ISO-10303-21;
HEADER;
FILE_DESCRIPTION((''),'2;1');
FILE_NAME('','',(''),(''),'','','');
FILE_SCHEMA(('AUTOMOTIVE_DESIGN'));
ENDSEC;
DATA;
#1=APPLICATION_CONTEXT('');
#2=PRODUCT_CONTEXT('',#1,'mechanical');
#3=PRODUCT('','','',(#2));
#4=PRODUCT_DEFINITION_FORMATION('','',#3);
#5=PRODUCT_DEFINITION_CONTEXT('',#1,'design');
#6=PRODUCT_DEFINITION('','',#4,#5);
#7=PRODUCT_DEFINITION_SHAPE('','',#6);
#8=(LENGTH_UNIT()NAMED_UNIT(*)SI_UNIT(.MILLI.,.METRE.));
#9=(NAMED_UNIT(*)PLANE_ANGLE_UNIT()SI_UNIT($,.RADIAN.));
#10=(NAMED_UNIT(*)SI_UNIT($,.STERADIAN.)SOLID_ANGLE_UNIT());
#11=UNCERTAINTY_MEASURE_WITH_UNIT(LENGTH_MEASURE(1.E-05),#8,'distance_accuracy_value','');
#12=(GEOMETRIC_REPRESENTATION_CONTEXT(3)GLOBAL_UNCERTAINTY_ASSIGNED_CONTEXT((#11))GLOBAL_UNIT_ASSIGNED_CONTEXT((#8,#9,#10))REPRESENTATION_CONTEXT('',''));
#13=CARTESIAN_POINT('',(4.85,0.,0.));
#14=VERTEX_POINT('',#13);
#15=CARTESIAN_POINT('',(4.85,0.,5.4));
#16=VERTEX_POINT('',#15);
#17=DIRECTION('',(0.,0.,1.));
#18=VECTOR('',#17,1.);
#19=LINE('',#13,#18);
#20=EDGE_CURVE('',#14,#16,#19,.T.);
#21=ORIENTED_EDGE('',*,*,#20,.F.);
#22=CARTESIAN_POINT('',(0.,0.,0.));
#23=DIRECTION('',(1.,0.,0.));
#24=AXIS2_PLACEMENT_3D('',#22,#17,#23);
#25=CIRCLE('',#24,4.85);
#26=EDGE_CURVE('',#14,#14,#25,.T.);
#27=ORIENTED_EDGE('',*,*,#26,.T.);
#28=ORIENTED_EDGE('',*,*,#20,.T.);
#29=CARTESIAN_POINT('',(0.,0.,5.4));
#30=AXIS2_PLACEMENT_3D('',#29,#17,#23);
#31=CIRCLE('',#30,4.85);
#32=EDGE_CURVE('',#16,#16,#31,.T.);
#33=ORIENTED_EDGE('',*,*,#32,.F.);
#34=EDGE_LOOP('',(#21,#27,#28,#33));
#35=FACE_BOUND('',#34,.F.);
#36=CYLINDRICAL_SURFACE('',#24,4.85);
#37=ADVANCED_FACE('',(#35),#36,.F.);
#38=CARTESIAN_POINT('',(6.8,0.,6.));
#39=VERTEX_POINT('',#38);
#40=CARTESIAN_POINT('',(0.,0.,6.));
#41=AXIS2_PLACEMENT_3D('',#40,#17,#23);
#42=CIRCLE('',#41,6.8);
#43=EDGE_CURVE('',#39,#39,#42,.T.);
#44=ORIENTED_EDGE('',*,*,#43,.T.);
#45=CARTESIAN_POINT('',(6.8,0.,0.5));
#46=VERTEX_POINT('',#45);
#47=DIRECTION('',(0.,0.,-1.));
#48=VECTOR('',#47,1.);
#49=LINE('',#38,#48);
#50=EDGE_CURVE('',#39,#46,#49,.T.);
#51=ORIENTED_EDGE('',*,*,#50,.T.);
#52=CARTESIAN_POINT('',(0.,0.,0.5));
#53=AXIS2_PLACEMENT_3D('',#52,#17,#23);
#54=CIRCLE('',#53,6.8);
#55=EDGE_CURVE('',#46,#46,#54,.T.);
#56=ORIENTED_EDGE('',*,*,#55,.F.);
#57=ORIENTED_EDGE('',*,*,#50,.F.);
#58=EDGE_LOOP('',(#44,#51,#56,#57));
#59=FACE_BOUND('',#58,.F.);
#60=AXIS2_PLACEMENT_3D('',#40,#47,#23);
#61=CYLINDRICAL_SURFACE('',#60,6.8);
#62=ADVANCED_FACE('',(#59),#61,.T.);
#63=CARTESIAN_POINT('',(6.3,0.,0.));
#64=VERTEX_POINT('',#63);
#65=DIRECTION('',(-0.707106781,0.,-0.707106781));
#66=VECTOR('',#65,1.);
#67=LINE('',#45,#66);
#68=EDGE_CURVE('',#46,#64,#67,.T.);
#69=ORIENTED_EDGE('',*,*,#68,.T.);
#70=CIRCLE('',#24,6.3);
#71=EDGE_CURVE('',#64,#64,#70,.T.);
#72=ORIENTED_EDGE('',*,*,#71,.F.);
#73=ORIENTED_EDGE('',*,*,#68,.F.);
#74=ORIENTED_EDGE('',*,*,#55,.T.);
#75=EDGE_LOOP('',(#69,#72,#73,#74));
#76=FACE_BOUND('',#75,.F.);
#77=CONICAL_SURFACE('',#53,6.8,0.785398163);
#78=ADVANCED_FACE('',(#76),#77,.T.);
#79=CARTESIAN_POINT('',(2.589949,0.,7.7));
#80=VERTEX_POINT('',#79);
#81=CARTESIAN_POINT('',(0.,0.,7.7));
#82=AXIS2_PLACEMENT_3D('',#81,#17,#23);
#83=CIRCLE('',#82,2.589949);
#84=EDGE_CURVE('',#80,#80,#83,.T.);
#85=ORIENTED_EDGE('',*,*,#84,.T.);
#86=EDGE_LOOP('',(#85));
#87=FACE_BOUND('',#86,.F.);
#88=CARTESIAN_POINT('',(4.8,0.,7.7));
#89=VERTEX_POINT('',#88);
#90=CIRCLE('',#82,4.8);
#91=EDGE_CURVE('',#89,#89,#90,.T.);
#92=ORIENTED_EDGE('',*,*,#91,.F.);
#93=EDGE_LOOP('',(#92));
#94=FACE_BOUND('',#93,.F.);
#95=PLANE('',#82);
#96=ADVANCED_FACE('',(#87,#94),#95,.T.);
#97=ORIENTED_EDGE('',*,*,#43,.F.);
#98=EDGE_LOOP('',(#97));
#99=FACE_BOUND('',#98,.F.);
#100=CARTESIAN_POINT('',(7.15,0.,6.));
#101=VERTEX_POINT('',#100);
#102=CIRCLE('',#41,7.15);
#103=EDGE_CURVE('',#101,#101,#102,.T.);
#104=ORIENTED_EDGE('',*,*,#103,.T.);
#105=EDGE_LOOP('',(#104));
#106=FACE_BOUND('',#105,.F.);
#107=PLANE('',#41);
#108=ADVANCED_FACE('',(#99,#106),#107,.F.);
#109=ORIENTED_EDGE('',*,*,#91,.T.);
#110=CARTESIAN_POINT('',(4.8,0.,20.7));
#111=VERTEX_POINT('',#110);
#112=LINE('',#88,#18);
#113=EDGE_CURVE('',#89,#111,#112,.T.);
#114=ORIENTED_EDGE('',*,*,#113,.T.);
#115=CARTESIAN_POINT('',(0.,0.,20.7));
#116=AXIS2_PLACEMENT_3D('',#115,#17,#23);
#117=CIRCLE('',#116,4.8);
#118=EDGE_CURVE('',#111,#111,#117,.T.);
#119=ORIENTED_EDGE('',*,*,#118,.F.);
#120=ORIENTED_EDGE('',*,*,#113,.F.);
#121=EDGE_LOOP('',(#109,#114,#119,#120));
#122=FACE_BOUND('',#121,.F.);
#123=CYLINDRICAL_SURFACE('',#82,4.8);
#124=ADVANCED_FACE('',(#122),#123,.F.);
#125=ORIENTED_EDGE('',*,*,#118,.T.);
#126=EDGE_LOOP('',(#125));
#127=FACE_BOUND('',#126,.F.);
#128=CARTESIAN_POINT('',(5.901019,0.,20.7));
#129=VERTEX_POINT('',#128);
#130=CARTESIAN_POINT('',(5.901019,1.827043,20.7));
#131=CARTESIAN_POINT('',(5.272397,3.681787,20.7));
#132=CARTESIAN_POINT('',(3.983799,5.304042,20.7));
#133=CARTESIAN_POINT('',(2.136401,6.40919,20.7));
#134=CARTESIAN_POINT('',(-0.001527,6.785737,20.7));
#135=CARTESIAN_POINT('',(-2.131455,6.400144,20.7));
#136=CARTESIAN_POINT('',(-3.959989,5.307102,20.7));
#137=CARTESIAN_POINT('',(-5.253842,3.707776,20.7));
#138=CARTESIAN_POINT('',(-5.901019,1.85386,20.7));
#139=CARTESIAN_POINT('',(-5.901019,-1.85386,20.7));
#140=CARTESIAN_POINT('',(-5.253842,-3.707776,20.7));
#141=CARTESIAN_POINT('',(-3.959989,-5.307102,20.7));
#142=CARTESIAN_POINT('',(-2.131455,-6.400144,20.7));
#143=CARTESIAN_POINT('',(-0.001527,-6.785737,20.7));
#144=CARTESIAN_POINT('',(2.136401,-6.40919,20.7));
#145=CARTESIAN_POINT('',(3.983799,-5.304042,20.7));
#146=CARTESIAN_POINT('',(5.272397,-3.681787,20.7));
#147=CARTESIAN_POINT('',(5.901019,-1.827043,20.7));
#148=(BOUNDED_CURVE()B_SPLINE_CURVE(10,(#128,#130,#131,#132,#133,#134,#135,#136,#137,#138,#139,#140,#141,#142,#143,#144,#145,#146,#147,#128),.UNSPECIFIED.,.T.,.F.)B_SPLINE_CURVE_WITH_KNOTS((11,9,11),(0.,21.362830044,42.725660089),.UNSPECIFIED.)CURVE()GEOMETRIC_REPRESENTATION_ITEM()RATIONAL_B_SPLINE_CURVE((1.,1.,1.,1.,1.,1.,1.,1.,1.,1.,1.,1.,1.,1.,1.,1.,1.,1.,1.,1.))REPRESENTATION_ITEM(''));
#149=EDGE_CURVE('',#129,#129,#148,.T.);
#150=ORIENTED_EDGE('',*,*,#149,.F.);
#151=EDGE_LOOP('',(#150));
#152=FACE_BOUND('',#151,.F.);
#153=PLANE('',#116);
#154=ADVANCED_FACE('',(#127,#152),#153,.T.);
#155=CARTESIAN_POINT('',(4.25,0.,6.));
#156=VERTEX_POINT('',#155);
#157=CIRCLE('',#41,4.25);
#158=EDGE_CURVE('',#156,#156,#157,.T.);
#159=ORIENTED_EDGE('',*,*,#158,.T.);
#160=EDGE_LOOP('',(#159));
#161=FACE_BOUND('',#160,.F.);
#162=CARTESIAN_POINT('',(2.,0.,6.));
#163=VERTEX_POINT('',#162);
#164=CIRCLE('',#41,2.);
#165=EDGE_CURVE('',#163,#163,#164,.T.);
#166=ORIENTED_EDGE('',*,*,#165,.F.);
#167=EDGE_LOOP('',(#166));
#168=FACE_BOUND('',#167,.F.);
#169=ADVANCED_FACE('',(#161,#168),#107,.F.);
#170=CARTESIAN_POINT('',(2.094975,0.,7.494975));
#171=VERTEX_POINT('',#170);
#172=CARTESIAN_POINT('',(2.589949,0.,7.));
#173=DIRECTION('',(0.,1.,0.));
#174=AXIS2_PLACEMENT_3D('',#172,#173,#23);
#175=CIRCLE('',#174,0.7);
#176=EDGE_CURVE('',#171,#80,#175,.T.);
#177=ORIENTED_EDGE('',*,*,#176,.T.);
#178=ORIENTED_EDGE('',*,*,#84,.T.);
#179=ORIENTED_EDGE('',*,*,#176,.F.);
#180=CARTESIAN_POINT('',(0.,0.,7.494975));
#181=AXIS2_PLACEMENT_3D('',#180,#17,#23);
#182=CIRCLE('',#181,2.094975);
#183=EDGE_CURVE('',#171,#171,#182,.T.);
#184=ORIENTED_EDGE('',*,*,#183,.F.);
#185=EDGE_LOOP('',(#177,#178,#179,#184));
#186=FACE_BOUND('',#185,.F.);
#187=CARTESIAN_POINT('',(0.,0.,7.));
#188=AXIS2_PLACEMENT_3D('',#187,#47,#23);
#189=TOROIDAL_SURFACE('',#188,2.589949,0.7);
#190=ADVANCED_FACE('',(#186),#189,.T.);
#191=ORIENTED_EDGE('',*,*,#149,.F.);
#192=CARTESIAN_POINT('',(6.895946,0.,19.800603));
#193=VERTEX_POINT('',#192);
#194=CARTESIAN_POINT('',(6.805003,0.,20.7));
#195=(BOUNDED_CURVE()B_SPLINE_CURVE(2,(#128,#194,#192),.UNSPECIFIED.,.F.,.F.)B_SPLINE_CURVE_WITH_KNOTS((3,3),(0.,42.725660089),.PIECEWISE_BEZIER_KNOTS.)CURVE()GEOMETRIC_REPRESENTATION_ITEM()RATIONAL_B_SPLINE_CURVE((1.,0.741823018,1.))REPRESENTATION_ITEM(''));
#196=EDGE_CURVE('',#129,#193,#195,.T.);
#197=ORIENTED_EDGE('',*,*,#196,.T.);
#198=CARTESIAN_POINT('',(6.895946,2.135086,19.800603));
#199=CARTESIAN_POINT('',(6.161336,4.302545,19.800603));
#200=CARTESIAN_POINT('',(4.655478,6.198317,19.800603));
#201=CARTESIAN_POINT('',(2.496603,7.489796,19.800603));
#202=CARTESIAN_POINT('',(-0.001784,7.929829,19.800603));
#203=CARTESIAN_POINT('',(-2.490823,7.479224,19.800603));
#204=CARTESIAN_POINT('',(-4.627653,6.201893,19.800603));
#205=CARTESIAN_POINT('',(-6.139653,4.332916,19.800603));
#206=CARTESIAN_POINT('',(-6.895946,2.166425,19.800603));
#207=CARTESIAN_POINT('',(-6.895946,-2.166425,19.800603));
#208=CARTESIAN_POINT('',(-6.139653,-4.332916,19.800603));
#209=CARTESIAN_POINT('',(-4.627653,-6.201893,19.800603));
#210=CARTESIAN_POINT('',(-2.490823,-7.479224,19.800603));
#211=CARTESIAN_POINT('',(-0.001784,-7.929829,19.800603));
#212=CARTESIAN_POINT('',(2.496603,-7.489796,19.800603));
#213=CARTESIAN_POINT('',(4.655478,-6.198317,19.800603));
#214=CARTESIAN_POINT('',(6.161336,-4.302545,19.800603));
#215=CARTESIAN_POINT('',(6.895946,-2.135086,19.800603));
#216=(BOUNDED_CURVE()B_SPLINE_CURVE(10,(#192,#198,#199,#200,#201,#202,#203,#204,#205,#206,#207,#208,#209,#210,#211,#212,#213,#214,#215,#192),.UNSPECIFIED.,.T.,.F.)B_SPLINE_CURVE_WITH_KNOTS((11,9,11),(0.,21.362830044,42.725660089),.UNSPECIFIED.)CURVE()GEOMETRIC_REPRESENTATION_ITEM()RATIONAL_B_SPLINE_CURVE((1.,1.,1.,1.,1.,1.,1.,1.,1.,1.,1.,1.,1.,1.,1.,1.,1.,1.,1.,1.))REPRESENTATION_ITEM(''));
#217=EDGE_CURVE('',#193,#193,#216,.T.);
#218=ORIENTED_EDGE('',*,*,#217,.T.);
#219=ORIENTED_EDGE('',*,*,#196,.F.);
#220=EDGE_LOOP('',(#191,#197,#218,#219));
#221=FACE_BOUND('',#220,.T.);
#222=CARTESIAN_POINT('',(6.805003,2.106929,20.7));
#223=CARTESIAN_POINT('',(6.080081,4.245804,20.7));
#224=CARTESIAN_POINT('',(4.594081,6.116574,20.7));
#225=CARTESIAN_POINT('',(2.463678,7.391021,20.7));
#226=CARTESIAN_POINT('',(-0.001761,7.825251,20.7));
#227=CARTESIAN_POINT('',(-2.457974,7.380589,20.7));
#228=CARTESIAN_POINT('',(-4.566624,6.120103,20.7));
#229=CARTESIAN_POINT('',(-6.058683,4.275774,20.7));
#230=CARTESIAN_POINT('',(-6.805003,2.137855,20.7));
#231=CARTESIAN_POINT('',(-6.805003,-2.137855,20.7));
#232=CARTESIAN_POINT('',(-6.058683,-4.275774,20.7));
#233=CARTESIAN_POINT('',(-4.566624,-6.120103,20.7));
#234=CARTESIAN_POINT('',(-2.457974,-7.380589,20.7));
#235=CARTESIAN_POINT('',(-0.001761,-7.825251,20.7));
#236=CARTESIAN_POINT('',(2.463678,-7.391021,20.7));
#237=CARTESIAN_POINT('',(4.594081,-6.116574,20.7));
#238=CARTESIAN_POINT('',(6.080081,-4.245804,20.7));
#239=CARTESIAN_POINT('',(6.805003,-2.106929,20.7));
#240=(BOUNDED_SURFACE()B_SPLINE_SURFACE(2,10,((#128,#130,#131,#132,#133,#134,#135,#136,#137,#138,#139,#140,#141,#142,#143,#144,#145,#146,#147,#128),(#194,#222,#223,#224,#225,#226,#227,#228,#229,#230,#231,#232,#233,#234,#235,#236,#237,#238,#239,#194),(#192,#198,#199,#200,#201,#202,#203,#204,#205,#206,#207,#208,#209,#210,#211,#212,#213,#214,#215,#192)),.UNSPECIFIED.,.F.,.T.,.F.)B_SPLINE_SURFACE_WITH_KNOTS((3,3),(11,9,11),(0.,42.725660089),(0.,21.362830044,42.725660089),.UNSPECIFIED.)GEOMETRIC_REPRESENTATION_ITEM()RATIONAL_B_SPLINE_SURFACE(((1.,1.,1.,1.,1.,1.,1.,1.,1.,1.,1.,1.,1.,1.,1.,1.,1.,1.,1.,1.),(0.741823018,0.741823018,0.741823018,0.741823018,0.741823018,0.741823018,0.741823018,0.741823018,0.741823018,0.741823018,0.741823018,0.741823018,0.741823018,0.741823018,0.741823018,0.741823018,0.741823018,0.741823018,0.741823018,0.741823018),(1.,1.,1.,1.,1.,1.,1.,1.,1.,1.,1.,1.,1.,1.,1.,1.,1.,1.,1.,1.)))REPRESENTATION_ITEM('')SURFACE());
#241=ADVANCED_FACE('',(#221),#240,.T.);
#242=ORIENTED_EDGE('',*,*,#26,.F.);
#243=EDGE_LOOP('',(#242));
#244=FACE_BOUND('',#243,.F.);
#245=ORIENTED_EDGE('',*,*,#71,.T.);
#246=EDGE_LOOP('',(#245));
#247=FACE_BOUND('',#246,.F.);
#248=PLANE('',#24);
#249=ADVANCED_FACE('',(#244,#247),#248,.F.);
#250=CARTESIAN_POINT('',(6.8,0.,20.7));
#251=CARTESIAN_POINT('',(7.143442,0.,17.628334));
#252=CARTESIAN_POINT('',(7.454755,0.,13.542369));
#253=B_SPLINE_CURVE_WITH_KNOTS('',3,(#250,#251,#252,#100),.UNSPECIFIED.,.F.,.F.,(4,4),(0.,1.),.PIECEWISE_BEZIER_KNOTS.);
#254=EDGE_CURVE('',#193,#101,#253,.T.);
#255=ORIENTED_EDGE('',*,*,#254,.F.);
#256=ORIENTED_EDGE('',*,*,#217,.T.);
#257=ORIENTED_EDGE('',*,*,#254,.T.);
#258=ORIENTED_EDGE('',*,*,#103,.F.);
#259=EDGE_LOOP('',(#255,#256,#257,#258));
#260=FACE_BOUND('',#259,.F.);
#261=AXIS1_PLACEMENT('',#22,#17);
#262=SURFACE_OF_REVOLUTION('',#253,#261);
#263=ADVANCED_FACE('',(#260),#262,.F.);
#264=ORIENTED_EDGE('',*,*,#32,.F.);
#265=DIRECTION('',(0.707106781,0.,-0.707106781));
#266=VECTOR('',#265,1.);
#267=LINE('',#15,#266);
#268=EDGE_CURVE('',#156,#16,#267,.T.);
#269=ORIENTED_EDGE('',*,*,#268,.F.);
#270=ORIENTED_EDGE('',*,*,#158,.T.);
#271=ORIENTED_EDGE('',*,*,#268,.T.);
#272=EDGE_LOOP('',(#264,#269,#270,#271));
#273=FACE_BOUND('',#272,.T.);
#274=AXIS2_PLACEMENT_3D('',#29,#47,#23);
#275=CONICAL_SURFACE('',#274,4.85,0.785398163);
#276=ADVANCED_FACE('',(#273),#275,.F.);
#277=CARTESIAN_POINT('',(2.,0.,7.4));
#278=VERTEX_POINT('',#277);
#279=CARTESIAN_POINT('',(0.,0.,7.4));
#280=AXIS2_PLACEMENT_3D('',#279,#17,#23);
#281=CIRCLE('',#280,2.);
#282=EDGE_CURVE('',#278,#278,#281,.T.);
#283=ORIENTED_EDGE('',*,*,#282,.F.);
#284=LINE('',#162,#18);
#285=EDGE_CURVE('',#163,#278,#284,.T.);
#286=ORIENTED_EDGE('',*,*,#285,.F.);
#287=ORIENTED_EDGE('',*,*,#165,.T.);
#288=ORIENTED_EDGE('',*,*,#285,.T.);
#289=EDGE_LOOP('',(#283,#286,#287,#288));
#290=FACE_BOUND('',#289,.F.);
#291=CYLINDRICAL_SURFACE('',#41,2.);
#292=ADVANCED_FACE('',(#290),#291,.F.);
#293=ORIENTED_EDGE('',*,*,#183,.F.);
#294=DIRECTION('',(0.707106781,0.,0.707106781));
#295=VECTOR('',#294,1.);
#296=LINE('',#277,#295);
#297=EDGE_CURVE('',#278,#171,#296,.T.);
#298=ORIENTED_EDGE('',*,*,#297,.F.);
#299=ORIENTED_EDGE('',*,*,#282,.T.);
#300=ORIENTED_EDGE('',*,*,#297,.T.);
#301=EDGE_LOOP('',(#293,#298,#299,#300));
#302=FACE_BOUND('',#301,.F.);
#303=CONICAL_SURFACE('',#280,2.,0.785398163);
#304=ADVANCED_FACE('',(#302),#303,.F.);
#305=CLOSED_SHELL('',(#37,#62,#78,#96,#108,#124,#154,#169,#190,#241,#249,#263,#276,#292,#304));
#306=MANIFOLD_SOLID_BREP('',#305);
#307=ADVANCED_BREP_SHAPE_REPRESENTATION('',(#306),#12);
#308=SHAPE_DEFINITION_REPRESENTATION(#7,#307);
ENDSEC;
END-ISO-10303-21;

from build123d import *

# Parameters (mm, degrees)
CHAMFER001_SIZE = 0.3
FILLET_R        = 1
CHAMFER_SIZE    = 0.5
FILLET001_R     = 0.7
CHAMFER002_SIZE = 0.6


with BuildPart() as part:
    # Sketch → Revolution (revolve)
    with BuildSketch(Plane.XZ):
        with BuildLine():
            Line((4.85, 0), (4.85, 6))
            Line((4.85, 6), (2, 6))
            Line((2, 6), (2, 7.7))
            Line((2, 7.7), (4.8, 7.7))
            Line((4.8, 7.7), (4.8, 20.7))
            Line((4.8, 20.7), (6.8, 20.7))
            add(Edge.make_bspline(
                [(6.8, 20.7), (7.143442, 17.628334), (7.454755, 13.542369), (7.15, 6)],
                knots=[0, 0, 0, 0, 1, 1, 1, 1], degree=3))
            Line((7.15, 6), (6.8, 6))
            Line((6.8, 6), (6.8, 0))
            Line((6.8, 0), (4.85, 0))
        make_face()
    revolve(axis=Axis((0, 0, 0), (0, 0, 1)))

    # Chamfer001
    chamfer001_edges = [part.edges().sort_by_distance(p)[0] for p in [
        (-2, 0, 7.7),
    ]]
    chamfer(chamfer001_edges, length=CHAMFER001_SIZE)

    # Fillet
    fillet_edges = [part.edges().sort_by_distance(p)[0] for p in [
        (-6.8, 0, 20.7),
    ]]
    fillet(fillet_edges, radius=FILLET_R)

    # Chamfer
    chamfer_edges = [part.edges().sort_by_distance(p)[0] for p in [
        (-6.8, 0, 0),
    ]]
    chamfer(chamfer_edges, length=CHAMFER_SIZE)

    # Fillet001
    fillet001_edges = [part.edges().sort_by_distance(p)[0] for p in [
        (-2.3, 0, 7.7),
    ]]
    fillet(fillet001_edges, radius=FILLET001_R)

    # Chamfer002
    chamfer002_edges = [part.edges().sort_by_distance(p)[0] for p in [
        (-4.85, 0, 6),
    ]]
    chamfer(chamfer002_edges, length=CHAMFER002_SIZE)


solid = part.part
